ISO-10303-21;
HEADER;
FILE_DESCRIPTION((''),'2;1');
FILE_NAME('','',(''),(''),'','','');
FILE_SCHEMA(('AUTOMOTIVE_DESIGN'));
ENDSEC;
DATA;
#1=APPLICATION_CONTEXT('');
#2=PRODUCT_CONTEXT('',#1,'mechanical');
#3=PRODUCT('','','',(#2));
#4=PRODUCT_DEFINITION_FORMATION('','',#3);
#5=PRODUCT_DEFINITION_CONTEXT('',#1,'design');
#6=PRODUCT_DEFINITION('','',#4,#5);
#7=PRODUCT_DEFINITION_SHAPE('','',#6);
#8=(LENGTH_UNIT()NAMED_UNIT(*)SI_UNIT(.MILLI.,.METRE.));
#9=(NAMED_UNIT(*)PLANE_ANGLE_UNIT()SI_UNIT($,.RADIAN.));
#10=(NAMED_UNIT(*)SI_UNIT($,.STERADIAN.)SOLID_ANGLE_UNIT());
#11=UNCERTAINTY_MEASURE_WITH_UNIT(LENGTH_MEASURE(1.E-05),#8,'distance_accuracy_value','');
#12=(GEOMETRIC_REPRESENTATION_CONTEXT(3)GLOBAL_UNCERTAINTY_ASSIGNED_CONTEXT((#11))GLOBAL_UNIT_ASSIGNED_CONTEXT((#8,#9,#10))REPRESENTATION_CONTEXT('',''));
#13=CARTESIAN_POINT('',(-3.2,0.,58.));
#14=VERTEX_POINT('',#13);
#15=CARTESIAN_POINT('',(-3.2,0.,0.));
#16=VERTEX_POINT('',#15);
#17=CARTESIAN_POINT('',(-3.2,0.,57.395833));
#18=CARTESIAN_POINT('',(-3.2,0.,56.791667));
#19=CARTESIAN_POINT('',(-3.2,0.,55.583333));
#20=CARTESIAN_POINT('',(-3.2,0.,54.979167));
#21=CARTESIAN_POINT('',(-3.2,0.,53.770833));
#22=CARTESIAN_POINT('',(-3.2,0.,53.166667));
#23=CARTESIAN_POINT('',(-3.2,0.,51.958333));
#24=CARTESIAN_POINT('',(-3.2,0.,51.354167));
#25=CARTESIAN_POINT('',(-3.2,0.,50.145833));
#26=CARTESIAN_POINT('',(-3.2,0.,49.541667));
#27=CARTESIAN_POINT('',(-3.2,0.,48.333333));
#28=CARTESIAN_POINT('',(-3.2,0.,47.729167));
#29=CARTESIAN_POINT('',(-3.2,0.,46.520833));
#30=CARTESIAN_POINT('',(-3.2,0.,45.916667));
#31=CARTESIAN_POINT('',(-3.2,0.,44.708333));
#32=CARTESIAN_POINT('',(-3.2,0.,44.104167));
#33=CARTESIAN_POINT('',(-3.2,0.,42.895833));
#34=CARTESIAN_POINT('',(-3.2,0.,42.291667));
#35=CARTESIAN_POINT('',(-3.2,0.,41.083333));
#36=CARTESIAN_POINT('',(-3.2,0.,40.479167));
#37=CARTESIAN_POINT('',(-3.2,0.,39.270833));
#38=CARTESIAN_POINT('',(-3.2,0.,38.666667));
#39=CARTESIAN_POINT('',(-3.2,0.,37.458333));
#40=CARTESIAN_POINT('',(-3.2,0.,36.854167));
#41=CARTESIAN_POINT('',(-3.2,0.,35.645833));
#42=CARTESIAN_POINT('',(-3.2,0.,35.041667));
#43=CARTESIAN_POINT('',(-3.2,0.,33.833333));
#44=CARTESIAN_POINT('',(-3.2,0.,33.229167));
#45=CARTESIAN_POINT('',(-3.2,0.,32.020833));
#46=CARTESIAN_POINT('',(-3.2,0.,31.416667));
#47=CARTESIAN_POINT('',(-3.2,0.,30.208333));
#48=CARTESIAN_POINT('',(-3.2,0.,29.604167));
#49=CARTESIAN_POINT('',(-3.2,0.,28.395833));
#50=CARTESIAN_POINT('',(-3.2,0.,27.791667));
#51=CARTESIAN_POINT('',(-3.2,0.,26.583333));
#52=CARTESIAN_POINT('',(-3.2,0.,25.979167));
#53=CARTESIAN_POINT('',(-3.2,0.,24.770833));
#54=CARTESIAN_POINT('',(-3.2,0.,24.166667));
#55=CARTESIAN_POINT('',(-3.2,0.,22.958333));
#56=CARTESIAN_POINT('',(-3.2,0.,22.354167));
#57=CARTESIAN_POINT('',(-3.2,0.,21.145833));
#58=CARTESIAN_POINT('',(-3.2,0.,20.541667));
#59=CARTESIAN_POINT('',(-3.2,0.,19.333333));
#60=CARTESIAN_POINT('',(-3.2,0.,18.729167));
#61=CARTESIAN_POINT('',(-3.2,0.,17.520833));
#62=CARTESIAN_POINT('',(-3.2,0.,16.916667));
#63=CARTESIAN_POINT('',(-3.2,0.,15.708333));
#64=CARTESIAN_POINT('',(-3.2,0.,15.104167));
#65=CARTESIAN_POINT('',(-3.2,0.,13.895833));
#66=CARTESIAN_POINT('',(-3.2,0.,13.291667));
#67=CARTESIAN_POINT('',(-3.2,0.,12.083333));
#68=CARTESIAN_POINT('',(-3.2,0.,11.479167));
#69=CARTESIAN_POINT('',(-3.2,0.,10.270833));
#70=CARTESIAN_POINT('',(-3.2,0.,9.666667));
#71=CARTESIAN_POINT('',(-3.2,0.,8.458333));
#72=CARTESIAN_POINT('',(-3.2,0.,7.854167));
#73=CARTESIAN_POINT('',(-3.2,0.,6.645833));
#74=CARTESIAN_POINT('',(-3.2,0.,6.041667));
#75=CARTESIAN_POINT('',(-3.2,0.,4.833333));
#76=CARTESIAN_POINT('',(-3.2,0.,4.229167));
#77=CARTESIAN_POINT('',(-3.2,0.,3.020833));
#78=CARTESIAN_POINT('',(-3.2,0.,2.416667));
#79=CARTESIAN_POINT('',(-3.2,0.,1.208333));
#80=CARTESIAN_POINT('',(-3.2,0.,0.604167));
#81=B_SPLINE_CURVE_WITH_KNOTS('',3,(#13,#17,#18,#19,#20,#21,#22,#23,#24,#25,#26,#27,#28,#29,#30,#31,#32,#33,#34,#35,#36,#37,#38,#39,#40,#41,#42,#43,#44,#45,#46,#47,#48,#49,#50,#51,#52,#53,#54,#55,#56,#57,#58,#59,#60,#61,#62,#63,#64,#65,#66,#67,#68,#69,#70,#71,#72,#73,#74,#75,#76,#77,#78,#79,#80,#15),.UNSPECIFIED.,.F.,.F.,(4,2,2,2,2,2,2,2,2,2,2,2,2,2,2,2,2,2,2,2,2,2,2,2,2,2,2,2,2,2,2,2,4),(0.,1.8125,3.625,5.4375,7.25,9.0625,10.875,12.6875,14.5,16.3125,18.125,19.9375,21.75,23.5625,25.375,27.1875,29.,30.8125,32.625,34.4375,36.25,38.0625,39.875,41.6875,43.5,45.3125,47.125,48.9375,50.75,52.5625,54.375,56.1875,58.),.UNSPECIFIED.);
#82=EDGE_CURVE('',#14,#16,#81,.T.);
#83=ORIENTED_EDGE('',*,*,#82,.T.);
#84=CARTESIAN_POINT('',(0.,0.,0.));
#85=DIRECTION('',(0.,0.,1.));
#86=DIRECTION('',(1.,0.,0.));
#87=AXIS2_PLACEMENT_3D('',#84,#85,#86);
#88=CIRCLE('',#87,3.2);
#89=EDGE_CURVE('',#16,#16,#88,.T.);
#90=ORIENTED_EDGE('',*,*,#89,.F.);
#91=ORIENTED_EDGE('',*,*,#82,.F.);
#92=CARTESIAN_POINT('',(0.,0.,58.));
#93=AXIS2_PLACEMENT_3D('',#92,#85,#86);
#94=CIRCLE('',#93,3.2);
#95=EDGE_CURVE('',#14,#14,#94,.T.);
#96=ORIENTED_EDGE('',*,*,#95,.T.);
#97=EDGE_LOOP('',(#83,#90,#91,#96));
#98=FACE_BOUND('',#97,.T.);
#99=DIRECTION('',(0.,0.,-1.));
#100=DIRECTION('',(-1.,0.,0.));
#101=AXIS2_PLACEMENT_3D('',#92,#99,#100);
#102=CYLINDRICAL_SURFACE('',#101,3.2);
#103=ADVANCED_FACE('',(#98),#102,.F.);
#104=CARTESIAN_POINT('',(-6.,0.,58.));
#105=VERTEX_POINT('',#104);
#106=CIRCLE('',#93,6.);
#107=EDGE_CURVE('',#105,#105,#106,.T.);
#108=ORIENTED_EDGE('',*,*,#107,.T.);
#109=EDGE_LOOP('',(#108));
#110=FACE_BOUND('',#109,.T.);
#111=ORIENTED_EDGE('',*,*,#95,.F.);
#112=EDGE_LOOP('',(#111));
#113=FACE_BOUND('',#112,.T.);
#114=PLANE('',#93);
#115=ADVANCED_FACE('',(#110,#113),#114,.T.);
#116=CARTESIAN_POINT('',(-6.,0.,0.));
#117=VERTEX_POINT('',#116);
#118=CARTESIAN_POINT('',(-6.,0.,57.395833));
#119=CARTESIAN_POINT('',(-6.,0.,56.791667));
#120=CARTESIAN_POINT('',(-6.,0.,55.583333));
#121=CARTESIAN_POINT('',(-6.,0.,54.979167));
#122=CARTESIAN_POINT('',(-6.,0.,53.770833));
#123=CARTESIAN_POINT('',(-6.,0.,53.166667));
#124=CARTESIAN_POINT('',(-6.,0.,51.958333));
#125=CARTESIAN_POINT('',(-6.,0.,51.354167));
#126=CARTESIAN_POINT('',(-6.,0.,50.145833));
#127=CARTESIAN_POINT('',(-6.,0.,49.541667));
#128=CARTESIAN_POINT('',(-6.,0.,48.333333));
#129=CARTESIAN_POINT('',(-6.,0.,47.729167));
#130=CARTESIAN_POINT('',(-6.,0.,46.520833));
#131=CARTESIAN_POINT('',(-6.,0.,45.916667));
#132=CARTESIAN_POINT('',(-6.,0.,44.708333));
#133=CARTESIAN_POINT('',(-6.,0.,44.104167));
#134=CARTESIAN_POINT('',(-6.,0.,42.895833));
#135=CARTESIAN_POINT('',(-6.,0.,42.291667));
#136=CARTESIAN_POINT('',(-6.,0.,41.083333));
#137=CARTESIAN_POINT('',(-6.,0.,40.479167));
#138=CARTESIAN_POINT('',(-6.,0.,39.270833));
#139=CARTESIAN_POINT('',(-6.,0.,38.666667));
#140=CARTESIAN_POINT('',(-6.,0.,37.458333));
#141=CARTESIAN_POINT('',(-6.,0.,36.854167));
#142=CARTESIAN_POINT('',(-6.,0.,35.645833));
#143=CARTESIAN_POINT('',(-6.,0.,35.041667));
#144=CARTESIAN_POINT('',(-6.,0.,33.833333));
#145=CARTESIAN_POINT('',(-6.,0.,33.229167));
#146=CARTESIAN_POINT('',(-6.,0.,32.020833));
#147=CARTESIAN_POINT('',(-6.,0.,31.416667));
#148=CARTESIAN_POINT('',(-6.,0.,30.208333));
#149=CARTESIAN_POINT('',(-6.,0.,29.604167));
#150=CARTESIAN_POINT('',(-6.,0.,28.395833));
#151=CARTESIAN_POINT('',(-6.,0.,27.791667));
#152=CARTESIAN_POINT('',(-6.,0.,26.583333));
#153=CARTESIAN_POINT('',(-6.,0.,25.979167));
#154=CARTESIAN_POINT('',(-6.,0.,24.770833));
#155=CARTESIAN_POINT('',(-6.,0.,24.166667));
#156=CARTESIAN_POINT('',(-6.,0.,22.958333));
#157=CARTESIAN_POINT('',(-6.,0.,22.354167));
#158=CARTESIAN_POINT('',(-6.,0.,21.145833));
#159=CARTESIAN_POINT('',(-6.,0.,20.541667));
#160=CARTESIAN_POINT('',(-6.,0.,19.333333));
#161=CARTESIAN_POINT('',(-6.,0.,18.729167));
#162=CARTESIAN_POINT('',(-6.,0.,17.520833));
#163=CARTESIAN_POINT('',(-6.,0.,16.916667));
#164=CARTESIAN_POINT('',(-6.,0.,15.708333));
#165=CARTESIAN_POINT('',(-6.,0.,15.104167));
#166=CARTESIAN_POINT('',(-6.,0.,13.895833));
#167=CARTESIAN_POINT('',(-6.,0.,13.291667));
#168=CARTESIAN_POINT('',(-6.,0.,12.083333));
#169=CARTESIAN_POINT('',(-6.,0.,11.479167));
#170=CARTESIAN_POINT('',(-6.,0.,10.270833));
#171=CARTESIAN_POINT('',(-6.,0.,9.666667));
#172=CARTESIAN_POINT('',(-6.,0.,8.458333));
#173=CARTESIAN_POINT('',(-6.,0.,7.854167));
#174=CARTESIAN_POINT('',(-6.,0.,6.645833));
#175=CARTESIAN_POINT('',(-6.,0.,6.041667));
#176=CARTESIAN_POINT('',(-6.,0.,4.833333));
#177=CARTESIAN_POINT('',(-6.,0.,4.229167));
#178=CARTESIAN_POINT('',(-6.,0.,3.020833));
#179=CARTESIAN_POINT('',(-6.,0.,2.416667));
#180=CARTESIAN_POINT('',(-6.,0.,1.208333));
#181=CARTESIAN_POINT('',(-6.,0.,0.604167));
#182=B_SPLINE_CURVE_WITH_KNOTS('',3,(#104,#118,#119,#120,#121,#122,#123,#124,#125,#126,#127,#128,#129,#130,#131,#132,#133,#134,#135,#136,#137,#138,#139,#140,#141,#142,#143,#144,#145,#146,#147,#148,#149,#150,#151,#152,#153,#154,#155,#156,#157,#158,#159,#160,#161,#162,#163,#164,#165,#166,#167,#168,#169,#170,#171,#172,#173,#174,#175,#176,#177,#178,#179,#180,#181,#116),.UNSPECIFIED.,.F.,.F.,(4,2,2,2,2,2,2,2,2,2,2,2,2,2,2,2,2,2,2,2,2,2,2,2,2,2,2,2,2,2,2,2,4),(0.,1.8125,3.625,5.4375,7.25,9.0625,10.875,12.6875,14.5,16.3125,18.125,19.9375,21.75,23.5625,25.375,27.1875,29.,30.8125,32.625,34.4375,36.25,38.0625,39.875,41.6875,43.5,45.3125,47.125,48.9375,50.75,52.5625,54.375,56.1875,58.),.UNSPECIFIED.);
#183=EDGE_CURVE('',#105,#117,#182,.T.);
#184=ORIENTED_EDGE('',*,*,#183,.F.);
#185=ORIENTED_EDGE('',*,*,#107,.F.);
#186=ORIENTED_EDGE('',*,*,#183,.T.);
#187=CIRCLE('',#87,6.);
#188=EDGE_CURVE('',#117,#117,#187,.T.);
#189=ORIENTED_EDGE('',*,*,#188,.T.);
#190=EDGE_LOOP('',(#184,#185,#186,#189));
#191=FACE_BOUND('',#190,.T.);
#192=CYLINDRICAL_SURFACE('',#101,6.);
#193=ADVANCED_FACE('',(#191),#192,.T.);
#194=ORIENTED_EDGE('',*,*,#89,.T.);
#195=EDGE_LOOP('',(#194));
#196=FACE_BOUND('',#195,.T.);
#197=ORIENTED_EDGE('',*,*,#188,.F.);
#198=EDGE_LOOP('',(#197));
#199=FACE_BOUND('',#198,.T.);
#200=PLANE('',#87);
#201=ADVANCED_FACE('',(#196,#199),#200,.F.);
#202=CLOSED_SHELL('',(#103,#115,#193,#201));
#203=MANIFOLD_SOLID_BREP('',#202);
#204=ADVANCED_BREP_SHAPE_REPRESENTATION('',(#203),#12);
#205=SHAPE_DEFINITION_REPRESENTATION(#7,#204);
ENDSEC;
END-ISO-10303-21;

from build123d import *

# Parameters (mm, degrees)
SKETCH1_R    = 6
SKETCH1_R_2  = 3.2
SPACER_DEPTH = 58


with BuildPart() as part:
    # Sketch1 → Spacer (new body)
    with BuildSketch(Plane.XY):
        with Locations(Location((0, 0, 0), (0, 0, 180))):
            Circle(SKETCH1_R)
        with Locations(Location((0, 0, 0), (0, 0, 180))):
            Circle(SKETCH1_R_2, mode=Mode.SUBTRACT)
    extrude(amount=SPACER_DEPTH)


solid = part.part
